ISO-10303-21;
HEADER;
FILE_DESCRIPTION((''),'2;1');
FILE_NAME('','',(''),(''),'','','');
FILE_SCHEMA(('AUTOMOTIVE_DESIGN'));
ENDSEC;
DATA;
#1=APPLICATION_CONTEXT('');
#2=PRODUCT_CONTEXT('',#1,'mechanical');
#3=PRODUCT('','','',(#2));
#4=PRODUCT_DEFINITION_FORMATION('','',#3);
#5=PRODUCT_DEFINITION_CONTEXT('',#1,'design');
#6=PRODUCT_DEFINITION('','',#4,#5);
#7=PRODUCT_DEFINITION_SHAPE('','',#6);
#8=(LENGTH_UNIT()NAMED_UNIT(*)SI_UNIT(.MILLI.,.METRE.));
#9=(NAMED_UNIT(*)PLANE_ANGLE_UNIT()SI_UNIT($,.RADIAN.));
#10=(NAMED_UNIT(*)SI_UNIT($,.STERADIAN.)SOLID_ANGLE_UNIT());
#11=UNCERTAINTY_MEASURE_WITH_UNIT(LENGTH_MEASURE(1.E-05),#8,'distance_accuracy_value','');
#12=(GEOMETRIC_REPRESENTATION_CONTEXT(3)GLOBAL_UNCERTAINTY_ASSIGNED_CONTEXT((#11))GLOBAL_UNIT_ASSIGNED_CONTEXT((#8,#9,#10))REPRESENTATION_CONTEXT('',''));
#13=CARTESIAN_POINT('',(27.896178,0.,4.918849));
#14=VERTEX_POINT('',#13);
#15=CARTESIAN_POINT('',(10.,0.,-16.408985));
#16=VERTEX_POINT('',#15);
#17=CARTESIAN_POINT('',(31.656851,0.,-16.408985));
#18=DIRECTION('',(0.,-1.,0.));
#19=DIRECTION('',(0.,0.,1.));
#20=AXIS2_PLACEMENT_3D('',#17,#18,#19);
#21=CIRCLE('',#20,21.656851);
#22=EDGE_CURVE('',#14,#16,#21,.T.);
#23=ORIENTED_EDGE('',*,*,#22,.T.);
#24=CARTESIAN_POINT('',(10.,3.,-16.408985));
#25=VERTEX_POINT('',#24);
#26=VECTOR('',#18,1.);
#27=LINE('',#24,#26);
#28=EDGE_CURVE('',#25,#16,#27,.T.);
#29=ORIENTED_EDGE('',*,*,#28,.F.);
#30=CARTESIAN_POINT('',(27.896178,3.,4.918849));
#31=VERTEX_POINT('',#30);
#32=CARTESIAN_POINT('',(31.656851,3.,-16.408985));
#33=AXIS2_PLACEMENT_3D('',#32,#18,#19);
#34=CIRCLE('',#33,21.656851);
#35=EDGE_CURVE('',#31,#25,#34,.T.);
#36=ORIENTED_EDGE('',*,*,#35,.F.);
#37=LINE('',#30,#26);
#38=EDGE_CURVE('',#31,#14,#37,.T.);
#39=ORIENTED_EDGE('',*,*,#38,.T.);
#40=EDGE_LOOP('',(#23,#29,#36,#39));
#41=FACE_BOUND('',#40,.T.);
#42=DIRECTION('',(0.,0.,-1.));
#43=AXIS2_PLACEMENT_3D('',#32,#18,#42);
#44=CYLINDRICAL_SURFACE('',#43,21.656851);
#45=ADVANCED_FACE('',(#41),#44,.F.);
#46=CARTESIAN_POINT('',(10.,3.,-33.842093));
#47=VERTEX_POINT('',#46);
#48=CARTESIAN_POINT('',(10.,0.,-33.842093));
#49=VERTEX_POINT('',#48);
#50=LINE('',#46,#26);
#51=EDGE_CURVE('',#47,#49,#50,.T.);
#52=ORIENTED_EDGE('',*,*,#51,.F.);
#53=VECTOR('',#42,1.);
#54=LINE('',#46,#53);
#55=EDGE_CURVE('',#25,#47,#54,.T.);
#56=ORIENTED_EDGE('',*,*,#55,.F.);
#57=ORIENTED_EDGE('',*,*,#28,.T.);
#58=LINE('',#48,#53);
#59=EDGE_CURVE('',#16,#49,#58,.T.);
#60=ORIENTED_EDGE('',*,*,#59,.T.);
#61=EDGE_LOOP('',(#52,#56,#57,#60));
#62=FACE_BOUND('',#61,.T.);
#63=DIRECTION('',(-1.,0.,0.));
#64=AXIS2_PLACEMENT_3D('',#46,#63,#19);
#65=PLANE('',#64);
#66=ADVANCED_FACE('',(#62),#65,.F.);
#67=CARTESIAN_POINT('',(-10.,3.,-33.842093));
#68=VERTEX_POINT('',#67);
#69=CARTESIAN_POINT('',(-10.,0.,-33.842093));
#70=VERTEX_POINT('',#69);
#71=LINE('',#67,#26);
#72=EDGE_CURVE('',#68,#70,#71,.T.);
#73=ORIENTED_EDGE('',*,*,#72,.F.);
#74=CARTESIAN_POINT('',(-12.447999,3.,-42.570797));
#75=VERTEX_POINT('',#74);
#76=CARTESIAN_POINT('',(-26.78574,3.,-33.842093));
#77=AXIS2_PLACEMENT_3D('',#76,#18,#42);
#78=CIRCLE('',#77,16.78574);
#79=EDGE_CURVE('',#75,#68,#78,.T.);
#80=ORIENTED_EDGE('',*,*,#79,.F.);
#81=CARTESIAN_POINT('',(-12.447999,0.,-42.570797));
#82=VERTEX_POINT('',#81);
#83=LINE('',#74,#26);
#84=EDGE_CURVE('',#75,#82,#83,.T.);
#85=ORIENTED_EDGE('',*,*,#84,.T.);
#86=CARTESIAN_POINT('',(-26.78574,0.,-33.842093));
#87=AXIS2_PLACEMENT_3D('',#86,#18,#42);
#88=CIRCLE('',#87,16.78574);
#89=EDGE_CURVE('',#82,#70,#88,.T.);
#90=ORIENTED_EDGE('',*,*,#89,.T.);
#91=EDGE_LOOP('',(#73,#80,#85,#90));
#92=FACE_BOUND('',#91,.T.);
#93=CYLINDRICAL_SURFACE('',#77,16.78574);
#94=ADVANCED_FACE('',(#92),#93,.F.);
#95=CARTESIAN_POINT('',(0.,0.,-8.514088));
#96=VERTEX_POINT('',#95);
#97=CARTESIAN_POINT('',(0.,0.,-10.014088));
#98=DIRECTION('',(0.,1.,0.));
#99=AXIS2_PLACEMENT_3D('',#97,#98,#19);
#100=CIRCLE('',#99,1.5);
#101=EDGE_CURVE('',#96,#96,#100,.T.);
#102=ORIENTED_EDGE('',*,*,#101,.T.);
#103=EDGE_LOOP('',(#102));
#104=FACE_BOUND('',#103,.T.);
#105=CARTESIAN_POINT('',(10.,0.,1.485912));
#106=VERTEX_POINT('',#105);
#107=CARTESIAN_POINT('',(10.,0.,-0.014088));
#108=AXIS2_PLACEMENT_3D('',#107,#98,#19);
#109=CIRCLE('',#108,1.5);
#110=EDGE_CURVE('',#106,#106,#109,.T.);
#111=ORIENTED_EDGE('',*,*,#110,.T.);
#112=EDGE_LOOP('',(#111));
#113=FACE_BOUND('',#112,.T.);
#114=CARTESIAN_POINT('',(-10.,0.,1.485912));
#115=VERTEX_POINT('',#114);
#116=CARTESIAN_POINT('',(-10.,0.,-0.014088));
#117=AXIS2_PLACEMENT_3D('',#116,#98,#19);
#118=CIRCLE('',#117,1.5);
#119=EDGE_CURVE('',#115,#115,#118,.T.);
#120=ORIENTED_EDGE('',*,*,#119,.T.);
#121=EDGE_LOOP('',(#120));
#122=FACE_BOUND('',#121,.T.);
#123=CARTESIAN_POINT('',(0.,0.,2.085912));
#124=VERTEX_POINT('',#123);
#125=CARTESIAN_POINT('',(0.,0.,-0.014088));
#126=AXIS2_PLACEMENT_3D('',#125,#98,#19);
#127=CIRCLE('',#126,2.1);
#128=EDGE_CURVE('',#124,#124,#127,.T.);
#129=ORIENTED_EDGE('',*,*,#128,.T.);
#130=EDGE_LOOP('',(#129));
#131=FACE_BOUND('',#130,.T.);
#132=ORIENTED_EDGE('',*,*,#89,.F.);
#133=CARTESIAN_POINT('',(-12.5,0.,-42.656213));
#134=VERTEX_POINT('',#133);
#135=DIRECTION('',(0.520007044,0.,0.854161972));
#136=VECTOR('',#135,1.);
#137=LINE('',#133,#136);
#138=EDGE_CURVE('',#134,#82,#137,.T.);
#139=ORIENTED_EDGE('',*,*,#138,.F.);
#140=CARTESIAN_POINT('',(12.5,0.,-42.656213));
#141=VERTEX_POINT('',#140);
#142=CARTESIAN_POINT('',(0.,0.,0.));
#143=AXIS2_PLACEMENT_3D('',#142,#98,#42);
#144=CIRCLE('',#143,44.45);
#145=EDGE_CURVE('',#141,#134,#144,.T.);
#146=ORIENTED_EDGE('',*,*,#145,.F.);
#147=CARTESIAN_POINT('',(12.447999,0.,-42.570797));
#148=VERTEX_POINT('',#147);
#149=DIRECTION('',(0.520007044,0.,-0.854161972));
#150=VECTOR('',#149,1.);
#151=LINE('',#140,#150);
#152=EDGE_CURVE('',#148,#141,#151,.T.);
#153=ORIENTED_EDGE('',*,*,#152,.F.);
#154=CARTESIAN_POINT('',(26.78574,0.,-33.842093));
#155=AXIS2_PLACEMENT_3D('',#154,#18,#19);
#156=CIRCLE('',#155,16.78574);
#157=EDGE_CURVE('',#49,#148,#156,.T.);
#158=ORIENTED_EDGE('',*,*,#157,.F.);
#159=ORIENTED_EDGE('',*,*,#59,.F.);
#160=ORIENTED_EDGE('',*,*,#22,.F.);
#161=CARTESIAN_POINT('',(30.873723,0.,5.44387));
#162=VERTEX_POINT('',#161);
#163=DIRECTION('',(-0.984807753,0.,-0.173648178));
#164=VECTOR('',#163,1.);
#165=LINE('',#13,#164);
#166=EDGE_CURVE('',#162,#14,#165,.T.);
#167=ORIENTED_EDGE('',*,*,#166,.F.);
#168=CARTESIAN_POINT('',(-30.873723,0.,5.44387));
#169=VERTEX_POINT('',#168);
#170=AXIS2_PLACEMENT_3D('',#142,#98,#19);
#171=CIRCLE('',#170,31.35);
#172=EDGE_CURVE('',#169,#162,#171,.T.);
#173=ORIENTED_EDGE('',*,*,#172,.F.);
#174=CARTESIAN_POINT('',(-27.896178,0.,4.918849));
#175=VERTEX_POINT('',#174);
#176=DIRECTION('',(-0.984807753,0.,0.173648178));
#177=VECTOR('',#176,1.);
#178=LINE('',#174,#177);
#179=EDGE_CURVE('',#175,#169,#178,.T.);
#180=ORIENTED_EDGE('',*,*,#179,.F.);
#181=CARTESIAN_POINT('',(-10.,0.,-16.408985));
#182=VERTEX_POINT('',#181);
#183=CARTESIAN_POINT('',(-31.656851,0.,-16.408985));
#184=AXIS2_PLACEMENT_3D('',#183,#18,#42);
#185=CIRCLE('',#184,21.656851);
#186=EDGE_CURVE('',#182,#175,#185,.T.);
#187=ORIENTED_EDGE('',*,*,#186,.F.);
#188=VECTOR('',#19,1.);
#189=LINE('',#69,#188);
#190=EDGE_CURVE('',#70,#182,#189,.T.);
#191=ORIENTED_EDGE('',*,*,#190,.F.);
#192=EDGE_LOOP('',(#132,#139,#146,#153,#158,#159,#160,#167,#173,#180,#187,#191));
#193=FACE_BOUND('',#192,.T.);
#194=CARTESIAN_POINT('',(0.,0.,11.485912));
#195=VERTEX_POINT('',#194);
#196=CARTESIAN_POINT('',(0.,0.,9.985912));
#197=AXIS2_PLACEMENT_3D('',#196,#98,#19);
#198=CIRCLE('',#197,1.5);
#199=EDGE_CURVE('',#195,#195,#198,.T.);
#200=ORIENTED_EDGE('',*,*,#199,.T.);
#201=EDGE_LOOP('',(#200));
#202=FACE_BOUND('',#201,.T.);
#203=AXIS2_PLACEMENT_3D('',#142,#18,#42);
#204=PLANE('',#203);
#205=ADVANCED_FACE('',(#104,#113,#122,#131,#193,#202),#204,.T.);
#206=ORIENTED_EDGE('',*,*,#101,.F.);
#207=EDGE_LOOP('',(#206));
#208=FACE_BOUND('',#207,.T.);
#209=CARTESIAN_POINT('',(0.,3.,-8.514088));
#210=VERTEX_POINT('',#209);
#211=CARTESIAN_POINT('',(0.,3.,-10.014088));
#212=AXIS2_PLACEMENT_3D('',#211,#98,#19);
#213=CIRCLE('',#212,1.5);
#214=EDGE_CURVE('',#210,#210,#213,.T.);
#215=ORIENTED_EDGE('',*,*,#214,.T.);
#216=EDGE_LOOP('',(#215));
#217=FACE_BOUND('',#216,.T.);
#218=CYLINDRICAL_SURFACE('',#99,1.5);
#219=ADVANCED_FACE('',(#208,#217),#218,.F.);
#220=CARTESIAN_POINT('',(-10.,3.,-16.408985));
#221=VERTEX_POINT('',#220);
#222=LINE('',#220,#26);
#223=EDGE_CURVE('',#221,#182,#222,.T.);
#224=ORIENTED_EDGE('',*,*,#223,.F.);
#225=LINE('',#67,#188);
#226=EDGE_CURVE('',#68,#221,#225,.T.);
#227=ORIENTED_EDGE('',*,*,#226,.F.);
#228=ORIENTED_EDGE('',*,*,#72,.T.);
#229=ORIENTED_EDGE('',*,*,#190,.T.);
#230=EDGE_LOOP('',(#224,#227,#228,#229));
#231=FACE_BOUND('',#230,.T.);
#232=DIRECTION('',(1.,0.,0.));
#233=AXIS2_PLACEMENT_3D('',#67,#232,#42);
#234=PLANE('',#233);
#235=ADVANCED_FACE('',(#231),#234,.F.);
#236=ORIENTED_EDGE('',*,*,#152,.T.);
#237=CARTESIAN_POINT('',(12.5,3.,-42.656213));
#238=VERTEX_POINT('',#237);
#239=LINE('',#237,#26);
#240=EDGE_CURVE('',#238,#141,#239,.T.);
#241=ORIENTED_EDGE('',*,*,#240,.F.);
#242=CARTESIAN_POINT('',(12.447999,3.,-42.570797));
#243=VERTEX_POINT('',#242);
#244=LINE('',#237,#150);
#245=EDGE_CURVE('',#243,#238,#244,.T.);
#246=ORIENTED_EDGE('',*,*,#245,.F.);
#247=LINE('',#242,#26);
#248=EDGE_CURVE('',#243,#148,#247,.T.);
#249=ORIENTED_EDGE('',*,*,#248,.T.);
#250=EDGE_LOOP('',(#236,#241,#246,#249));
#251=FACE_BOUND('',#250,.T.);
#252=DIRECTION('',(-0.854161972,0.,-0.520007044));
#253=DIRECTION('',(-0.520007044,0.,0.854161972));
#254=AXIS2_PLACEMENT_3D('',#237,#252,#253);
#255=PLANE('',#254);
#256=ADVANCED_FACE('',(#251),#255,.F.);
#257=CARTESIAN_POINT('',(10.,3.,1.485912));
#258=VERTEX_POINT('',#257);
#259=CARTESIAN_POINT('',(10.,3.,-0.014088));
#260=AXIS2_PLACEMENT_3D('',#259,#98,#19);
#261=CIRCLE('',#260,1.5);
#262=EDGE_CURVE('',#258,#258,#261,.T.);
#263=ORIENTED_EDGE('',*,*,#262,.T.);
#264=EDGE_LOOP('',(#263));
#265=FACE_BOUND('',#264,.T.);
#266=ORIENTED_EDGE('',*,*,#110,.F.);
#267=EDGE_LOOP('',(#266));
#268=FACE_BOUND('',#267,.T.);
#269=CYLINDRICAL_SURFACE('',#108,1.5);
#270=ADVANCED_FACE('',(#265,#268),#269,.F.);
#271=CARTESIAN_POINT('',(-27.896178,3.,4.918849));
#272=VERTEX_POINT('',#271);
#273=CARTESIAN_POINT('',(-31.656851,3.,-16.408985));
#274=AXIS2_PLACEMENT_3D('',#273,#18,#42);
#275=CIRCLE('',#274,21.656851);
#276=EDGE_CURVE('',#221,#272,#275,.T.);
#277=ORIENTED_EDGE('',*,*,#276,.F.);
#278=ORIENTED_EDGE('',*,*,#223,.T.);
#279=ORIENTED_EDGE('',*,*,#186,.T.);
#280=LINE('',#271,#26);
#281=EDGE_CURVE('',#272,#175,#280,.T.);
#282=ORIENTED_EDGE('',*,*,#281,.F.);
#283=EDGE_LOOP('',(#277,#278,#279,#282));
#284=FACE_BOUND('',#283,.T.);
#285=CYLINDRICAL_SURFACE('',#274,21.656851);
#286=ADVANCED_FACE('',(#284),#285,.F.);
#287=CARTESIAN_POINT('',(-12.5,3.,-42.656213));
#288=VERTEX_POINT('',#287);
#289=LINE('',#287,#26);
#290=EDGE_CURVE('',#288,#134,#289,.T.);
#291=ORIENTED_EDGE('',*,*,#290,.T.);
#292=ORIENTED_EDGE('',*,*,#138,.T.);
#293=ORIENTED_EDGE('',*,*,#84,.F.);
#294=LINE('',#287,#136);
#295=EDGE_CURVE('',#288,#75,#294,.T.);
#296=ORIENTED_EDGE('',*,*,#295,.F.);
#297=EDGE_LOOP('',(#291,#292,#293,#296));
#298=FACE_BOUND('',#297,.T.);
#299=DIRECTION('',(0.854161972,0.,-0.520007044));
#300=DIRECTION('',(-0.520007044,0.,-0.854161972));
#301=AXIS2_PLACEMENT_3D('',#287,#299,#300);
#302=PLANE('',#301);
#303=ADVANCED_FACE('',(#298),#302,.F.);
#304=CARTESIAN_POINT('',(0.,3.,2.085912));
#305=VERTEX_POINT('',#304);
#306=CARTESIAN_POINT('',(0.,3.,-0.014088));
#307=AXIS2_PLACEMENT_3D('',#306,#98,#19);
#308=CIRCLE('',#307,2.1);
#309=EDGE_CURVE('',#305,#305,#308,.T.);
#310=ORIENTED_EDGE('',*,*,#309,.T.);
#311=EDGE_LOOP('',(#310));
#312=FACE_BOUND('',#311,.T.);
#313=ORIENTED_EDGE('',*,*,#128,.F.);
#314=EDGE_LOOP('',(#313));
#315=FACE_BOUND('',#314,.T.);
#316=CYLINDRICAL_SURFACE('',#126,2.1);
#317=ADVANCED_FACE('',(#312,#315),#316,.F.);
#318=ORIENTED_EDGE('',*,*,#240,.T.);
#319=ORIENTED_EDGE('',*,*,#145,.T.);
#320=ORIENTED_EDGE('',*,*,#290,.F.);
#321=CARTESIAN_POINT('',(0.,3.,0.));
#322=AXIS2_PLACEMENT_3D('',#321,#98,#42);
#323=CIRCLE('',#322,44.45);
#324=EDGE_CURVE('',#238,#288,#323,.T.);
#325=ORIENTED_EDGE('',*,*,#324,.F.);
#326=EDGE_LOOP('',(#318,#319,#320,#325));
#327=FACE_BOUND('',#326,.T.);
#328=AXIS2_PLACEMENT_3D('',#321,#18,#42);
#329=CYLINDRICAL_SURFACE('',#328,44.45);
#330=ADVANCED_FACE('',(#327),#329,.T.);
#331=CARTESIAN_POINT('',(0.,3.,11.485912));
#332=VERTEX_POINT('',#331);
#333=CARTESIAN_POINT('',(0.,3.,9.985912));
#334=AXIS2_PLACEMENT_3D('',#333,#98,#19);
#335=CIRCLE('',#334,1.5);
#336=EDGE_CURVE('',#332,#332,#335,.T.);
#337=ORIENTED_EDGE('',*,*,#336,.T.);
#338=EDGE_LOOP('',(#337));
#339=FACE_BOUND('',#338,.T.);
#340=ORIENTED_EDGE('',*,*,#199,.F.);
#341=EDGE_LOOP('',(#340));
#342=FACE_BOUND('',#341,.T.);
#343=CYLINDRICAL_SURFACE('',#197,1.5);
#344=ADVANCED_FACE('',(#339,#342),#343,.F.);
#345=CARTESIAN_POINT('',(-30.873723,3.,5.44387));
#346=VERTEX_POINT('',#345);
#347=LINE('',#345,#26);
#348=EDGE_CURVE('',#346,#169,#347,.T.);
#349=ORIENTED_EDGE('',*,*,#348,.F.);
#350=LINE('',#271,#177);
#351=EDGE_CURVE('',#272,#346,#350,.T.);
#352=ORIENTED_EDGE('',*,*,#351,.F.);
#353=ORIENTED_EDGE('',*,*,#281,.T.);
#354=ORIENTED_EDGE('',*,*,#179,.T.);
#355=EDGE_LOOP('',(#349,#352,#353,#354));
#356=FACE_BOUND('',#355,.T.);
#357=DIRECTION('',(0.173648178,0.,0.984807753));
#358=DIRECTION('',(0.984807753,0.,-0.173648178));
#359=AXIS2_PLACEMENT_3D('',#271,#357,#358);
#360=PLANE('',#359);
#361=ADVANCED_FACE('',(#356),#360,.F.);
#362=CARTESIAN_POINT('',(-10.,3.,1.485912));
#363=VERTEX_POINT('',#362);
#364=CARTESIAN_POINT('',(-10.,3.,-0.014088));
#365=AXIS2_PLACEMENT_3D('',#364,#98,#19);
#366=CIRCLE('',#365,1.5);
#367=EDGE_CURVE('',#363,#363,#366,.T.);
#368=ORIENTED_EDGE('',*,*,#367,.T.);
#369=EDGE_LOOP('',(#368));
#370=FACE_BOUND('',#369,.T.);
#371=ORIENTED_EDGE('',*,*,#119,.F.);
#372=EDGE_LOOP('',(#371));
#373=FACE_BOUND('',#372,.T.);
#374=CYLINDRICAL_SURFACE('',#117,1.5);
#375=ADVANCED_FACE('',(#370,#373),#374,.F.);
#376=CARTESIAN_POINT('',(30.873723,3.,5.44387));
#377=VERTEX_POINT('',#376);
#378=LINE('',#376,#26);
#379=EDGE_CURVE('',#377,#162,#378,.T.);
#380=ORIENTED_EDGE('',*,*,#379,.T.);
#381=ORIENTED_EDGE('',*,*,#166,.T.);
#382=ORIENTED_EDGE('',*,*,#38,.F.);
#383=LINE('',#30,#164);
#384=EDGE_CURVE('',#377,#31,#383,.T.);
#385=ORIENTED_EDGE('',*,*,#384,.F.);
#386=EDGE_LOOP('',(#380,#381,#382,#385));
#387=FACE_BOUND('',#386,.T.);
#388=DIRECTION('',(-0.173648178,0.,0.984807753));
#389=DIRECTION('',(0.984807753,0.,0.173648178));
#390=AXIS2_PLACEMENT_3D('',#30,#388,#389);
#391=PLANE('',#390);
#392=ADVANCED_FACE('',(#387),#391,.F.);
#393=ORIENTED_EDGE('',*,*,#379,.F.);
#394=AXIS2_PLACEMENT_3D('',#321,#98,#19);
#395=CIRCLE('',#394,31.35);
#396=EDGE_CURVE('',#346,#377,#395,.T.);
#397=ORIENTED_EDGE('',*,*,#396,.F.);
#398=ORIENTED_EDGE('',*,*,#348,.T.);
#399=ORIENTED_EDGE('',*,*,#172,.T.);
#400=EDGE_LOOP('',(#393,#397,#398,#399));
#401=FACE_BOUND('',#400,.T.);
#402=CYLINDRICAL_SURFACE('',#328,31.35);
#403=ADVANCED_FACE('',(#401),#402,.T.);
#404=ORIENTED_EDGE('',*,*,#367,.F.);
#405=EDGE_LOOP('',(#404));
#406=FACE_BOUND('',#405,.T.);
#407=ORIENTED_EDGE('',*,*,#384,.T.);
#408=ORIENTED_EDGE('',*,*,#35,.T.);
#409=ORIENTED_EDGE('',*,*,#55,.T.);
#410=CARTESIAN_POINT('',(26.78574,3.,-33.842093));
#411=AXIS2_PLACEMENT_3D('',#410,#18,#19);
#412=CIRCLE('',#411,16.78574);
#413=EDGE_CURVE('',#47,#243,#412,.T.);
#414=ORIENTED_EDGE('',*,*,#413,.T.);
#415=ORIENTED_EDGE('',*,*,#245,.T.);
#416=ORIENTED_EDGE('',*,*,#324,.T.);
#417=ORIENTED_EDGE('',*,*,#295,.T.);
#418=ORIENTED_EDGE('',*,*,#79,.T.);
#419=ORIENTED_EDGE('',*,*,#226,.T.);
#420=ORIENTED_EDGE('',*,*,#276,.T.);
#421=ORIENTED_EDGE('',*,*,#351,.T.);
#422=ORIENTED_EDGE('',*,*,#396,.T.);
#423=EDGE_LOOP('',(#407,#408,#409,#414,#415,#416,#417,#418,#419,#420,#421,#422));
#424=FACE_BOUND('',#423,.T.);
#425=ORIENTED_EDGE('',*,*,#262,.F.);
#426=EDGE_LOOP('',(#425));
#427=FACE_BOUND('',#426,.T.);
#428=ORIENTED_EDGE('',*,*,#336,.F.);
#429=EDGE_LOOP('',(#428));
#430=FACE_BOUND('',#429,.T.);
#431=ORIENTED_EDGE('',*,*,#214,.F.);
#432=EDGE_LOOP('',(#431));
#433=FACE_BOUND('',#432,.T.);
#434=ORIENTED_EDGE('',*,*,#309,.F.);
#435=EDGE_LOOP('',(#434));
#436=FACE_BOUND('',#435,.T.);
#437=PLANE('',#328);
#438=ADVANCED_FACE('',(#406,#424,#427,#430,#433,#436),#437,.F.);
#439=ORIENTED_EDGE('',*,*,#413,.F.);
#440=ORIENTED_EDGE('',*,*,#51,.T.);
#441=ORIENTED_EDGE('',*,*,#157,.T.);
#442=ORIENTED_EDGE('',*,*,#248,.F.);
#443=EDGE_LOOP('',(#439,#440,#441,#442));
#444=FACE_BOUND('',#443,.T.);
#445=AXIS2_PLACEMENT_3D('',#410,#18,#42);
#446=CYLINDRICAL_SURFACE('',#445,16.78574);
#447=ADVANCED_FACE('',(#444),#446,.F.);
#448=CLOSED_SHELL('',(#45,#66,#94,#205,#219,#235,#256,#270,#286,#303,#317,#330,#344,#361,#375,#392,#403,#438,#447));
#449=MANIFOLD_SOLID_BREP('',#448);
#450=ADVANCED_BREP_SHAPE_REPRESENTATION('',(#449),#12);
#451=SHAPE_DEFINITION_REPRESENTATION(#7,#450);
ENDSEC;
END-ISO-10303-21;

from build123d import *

# Parameters (mm, degrees)
BOSS_EXTRUDE1_DEPTH = 3
SKETCH2_R           = 2.1
SKETCH2_R_2         = 1.5
CUT_EXTRUDE1_DEPTH  = 4


with BuildPart() as part:
    # Sketch1 → Boss-Extrude1 (new body)
    with BuildSketch(Plane(origin=(0, 0, 0), x_dir=(1, 0, 0), z_dir=(0, 1, 0))):
        with BuildLine():
            Line((-12.5, 42.656212912), (-12.447999296, 42.570796715))
            ThreePointArc((-12.447999296, 42.570796715), (-10.623582733, 38.374834362), (-10, 33.842093422))
            Line((-10, 33.842093422), (-10, 16.408985467))
            ThreePointArc((-10, 16.408985467), (-15.066740521, 2.488230295), (-27.896177884, -4.91884882))
            Line((-27.896177884, -4.91884882), (-30.873723057, -5.44387037))
            ThreePointArc((-30.873723057, -5.44387037), (0, -31.35), (30.873723057, -5.44387037))
            Line((30.873723057, -5.44387037), (27.896177884, -4.91884882))
            ThreePointArc((27.896177884, -4.91884882), (15.066740521, 2.488230295), (10, 16.408985467))
            Line((10, 16.408985467), (10, 33.842093422))
            ThreePointArc((10, 33.842093422), (10.623582733, 38.374834362), (12.447999296, 42.570796715))
            Line((12.447999296, 42.570796715), (12.5, 42.656212912))
            ThreePointArc((12.5, 42.656212912), (0, 44.45), (-12.5, 42.656212912))
        make_face()
    extrude(amount=BOSS_EXTRUDE1_DEPTH)

    # Sketch2 → Cut-Extrude1 (cut, through all)
    with BuildSketch(Plane(origin=(0, 3, 0), x_dir=(1, 0, 0), z_dir=(0, 1, 0))):
        with Locations((0, 0.014087551)):
            Circle(SKETCH2_R)
        with Locations((10, 0.014087551)):
            Circle(SKETCH2_R_2)
        with Locations((0, 10.014087551)):
            Circle(SKETCH2_R_2)
        with Locations((-10, 0.014087551)):
            Circle(SKETCH2_R_2)
        with Locations((0, -9.985912449)):
            Circle(SKETCH2_R_2)
    extrude(amount=-CUT_EXTRUDE1_DEPTH, mode=Mode.SUBTRACT)


solid = part.part
